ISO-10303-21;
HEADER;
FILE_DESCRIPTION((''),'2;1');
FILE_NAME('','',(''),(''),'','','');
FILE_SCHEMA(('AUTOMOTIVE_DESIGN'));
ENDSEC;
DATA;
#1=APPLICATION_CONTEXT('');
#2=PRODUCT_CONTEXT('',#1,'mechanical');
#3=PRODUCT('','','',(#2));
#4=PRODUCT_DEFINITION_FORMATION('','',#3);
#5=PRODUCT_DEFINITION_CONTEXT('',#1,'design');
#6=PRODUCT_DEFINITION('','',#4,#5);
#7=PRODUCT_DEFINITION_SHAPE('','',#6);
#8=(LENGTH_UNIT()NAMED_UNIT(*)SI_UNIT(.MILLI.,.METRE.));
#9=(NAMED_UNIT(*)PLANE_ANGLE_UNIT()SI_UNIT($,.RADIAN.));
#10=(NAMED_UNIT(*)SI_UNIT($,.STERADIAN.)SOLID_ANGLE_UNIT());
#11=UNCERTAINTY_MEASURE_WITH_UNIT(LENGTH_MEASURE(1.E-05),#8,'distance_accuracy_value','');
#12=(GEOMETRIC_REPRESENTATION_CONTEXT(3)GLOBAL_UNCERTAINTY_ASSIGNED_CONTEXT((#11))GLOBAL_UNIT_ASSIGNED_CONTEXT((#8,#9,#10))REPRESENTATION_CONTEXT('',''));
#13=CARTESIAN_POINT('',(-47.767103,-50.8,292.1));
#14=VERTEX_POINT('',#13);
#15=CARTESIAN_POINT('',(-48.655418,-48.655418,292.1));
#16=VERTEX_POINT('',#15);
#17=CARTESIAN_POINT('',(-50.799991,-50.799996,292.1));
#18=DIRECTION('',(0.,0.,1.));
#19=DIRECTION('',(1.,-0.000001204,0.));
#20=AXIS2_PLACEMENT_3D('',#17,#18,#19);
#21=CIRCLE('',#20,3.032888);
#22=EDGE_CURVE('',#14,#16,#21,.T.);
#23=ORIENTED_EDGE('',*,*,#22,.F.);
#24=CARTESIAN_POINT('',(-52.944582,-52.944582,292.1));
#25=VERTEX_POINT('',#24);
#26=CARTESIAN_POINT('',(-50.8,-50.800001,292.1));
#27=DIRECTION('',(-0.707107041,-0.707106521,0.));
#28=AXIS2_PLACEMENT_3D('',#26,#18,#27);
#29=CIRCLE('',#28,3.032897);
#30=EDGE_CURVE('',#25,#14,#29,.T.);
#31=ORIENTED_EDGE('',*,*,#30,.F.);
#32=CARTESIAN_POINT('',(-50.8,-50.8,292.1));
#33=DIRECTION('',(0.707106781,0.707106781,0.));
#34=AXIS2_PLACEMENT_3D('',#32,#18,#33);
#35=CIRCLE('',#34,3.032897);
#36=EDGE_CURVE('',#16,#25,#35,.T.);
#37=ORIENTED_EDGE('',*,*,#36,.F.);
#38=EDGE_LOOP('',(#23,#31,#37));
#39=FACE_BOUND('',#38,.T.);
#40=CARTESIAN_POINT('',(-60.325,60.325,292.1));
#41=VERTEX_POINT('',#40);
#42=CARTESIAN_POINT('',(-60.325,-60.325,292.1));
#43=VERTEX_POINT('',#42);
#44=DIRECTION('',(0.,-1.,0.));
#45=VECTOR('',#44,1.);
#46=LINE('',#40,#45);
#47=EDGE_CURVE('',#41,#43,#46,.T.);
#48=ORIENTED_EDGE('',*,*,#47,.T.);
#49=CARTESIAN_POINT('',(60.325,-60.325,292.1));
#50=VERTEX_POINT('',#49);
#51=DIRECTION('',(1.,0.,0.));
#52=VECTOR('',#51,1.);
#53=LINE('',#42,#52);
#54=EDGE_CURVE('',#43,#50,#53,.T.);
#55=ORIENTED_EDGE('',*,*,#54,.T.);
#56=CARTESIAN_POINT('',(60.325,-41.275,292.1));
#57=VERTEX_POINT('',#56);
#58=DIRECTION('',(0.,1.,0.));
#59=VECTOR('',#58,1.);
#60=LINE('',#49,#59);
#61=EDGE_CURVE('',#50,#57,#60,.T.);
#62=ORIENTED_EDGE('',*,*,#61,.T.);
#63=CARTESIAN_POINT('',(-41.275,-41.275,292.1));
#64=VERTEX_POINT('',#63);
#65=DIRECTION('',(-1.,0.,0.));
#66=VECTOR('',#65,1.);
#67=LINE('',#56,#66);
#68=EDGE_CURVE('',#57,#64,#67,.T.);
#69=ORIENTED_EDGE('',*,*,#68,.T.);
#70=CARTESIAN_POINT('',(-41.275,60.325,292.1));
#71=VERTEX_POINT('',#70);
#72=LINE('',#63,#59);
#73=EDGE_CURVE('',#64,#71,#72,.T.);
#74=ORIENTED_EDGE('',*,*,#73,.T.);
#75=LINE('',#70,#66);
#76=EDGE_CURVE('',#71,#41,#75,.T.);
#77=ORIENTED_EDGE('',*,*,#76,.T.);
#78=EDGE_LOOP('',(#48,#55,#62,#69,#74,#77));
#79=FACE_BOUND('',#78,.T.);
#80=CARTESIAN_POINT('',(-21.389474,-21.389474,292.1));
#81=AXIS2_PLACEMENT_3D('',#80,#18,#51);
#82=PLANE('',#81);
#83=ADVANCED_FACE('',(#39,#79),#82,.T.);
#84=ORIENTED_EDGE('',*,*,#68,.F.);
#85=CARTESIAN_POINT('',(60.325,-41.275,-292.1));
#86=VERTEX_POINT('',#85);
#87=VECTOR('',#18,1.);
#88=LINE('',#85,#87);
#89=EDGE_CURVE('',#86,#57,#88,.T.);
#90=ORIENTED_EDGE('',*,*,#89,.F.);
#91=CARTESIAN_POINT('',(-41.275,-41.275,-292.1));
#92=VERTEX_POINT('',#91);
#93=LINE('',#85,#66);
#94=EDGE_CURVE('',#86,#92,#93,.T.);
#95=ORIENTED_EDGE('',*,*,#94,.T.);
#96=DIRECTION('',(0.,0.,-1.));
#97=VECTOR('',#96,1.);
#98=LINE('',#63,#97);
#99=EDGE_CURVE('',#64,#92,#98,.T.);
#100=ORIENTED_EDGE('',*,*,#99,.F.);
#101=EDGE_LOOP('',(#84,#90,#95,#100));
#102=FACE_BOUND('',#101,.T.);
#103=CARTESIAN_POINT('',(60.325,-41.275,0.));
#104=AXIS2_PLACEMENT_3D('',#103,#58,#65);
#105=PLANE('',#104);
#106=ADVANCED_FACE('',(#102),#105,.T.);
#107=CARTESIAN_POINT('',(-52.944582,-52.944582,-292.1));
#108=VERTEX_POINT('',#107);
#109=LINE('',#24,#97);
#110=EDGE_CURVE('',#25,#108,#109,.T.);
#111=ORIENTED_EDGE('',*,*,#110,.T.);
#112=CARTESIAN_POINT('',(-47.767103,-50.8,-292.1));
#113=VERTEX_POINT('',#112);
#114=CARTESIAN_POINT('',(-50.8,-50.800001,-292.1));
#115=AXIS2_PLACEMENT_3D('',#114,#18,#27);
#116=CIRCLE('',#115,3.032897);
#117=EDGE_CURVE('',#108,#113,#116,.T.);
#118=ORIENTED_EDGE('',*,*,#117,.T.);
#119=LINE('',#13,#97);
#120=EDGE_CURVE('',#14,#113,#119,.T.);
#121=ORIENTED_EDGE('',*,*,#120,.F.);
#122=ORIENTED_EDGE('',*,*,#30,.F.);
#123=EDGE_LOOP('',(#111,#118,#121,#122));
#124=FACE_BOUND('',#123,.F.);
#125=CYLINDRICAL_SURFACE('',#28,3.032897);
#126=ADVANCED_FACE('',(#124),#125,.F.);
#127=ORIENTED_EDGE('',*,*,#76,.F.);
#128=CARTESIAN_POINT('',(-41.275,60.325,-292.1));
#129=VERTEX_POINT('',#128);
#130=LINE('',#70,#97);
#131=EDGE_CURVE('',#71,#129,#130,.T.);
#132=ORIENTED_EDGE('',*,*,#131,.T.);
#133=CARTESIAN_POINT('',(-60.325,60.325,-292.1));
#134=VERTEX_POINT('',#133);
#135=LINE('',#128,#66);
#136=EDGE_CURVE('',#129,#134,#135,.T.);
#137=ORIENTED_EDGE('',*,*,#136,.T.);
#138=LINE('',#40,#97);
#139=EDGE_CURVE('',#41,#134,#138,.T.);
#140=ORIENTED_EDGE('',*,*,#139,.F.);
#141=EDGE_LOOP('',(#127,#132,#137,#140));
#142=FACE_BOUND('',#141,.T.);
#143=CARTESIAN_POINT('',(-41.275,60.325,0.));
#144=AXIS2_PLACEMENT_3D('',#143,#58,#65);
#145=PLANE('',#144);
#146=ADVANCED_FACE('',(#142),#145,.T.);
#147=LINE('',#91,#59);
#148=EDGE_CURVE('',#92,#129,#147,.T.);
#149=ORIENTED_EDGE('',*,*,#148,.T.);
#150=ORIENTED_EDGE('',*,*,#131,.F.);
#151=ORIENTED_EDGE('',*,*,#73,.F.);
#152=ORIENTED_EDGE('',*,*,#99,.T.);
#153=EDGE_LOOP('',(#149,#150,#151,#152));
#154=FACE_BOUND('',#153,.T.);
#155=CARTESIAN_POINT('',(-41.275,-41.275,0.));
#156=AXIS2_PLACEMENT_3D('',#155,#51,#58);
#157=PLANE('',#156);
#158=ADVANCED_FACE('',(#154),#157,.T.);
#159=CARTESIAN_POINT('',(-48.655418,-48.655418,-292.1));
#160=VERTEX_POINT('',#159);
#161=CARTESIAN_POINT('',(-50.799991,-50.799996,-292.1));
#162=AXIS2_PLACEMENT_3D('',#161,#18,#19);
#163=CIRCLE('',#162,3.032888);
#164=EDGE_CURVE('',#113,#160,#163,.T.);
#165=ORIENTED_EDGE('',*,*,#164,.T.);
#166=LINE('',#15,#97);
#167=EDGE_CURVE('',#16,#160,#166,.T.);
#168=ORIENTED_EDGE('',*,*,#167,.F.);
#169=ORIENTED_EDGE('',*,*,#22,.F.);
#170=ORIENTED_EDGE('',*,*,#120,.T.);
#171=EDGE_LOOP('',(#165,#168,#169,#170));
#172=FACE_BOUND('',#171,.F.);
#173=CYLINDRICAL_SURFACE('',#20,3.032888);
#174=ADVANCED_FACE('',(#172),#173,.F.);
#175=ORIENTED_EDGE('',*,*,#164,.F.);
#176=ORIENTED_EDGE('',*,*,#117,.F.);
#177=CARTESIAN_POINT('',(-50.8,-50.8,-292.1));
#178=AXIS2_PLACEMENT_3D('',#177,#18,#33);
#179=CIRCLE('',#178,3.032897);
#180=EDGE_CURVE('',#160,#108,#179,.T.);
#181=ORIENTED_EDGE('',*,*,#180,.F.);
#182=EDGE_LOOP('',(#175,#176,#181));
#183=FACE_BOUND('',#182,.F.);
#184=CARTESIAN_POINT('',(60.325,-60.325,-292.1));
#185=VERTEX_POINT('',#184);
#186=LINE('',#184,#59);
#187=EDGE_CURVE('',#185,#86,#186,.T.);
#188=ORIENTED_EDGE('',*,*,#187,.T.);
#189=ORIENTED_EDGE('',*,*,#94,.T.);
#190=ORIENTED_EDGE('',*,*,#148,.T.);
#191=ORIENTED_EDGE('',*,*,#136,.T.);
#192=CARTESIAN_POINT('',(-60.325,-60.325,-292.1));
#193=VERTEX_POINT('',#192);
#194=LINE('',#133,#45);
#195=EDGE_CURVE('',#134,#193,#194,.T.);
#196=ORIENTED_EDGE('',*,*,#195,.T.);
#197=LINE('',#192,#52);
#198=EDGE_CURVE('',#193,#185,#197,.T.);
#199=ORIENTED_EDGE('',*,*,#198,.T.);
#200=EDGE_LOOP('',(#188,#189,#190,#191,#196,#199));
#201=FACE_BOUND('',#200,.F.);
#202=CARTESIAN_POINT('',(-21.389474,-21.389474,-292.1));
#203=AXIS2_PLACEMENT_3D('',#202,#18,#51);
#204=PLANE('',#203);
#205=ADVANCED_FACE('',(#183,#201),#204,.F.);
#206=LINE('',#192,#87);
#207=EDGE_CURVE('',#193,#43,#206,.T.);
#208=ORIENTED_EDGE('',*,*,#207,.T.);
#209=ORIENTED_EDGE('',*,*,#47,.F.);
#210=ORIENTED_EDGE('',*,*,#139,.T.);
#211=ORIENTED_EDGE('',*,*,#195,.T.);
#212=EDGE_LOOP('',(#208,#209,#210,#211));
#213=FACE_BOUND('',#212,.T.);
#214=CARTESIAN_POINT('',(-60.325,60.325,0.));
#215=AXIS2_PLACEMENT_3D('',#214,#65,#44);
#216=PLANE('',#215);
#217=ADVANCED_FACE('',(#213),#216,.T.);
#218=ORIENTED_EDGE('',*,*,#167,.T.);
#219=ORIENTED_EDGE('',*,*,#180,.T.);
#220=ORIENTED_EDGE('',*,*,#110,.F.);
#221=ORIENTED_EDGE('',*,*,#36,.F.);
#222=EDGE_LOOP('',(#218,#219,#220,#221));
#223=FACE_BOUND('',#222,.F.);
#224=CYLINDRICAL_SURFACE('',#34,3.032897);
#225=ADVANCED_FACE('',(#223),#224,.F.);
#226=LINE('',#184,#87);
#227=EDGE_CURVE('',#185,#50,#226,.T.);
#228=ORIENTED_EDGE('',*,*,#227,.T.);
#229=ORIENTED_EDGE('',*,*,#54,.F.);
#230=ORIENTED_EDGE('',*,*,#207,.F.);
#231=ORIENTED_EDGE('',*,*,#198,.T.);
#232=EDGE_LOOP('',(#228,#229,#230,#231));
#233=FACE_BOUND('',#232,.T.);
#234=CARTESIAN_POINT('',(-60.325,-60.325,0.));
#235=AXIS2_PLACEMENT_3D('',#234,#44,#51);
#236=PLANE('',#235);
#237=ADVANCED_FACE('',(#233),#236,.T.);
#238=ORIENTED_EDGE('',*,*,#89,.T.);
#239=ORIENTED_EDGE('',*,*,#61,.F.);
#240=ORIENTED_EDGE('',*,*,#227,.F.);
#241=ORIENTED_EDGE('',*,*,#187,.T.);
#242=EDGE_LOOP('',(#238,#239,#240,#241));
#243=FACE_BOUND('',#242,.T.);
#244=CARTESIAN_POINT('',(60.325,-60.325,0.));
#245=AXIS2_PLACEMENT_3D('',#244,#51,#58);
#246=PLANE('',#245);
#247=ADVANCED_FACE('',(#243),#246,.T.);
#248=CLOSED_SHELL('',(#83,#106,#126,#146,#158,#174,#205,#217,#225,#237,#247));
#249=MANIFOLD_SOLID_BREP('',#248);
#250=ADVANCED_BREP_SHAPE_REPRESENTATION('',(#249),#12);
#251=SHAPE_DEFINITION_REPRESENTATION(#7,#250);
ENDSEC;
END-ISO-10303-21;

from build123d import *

# Parameters (mm, degrees)
F1_DEPTH = 292.1
F3_DEPTH = 611.632


with BuildPart() as f1:
    # F0 (on Top) → F1 (new body, symmetric)
    with BuildSketch(Plane.XY):
        Polygon((-60.325, 60.325), (-60.325, -60.325), (60.325, -60.325), (60.325, -41.275), (-41.275, -41.275), (-41.275, 60.325), align=None)
    extrude(amount=F1_DEPTH, both=True)

    # F2 (on face) → F3 (cut)
    with BuildSketch(Plane.XY.offset(292.1)):
        with BuildLine():
            ThreePointArc((-47.767103, -50.8), (-47.997968, -49.63936), (-48.655418, -48.655418))
            Line((-48.655418, -48.655418), (-52.944582, -52.944582))
            ThreePointArc((-52.944582, -52.944582), (-49.63936, -53.602032), (-47.767103, -50.8))
        make_face()
        with BuildLine():
            Line((-52.944582, -52.944582), (-48.655418, -48.655418))
            ThreePointArc((-48.655418, -48.655418), (-52.944582, -48.655418), (-52.944582, -52.944582))
        make_face()
    extrude(amount=-F3_DEPTH, mode=Mode.SUBTRACT)


solid = f1.part
